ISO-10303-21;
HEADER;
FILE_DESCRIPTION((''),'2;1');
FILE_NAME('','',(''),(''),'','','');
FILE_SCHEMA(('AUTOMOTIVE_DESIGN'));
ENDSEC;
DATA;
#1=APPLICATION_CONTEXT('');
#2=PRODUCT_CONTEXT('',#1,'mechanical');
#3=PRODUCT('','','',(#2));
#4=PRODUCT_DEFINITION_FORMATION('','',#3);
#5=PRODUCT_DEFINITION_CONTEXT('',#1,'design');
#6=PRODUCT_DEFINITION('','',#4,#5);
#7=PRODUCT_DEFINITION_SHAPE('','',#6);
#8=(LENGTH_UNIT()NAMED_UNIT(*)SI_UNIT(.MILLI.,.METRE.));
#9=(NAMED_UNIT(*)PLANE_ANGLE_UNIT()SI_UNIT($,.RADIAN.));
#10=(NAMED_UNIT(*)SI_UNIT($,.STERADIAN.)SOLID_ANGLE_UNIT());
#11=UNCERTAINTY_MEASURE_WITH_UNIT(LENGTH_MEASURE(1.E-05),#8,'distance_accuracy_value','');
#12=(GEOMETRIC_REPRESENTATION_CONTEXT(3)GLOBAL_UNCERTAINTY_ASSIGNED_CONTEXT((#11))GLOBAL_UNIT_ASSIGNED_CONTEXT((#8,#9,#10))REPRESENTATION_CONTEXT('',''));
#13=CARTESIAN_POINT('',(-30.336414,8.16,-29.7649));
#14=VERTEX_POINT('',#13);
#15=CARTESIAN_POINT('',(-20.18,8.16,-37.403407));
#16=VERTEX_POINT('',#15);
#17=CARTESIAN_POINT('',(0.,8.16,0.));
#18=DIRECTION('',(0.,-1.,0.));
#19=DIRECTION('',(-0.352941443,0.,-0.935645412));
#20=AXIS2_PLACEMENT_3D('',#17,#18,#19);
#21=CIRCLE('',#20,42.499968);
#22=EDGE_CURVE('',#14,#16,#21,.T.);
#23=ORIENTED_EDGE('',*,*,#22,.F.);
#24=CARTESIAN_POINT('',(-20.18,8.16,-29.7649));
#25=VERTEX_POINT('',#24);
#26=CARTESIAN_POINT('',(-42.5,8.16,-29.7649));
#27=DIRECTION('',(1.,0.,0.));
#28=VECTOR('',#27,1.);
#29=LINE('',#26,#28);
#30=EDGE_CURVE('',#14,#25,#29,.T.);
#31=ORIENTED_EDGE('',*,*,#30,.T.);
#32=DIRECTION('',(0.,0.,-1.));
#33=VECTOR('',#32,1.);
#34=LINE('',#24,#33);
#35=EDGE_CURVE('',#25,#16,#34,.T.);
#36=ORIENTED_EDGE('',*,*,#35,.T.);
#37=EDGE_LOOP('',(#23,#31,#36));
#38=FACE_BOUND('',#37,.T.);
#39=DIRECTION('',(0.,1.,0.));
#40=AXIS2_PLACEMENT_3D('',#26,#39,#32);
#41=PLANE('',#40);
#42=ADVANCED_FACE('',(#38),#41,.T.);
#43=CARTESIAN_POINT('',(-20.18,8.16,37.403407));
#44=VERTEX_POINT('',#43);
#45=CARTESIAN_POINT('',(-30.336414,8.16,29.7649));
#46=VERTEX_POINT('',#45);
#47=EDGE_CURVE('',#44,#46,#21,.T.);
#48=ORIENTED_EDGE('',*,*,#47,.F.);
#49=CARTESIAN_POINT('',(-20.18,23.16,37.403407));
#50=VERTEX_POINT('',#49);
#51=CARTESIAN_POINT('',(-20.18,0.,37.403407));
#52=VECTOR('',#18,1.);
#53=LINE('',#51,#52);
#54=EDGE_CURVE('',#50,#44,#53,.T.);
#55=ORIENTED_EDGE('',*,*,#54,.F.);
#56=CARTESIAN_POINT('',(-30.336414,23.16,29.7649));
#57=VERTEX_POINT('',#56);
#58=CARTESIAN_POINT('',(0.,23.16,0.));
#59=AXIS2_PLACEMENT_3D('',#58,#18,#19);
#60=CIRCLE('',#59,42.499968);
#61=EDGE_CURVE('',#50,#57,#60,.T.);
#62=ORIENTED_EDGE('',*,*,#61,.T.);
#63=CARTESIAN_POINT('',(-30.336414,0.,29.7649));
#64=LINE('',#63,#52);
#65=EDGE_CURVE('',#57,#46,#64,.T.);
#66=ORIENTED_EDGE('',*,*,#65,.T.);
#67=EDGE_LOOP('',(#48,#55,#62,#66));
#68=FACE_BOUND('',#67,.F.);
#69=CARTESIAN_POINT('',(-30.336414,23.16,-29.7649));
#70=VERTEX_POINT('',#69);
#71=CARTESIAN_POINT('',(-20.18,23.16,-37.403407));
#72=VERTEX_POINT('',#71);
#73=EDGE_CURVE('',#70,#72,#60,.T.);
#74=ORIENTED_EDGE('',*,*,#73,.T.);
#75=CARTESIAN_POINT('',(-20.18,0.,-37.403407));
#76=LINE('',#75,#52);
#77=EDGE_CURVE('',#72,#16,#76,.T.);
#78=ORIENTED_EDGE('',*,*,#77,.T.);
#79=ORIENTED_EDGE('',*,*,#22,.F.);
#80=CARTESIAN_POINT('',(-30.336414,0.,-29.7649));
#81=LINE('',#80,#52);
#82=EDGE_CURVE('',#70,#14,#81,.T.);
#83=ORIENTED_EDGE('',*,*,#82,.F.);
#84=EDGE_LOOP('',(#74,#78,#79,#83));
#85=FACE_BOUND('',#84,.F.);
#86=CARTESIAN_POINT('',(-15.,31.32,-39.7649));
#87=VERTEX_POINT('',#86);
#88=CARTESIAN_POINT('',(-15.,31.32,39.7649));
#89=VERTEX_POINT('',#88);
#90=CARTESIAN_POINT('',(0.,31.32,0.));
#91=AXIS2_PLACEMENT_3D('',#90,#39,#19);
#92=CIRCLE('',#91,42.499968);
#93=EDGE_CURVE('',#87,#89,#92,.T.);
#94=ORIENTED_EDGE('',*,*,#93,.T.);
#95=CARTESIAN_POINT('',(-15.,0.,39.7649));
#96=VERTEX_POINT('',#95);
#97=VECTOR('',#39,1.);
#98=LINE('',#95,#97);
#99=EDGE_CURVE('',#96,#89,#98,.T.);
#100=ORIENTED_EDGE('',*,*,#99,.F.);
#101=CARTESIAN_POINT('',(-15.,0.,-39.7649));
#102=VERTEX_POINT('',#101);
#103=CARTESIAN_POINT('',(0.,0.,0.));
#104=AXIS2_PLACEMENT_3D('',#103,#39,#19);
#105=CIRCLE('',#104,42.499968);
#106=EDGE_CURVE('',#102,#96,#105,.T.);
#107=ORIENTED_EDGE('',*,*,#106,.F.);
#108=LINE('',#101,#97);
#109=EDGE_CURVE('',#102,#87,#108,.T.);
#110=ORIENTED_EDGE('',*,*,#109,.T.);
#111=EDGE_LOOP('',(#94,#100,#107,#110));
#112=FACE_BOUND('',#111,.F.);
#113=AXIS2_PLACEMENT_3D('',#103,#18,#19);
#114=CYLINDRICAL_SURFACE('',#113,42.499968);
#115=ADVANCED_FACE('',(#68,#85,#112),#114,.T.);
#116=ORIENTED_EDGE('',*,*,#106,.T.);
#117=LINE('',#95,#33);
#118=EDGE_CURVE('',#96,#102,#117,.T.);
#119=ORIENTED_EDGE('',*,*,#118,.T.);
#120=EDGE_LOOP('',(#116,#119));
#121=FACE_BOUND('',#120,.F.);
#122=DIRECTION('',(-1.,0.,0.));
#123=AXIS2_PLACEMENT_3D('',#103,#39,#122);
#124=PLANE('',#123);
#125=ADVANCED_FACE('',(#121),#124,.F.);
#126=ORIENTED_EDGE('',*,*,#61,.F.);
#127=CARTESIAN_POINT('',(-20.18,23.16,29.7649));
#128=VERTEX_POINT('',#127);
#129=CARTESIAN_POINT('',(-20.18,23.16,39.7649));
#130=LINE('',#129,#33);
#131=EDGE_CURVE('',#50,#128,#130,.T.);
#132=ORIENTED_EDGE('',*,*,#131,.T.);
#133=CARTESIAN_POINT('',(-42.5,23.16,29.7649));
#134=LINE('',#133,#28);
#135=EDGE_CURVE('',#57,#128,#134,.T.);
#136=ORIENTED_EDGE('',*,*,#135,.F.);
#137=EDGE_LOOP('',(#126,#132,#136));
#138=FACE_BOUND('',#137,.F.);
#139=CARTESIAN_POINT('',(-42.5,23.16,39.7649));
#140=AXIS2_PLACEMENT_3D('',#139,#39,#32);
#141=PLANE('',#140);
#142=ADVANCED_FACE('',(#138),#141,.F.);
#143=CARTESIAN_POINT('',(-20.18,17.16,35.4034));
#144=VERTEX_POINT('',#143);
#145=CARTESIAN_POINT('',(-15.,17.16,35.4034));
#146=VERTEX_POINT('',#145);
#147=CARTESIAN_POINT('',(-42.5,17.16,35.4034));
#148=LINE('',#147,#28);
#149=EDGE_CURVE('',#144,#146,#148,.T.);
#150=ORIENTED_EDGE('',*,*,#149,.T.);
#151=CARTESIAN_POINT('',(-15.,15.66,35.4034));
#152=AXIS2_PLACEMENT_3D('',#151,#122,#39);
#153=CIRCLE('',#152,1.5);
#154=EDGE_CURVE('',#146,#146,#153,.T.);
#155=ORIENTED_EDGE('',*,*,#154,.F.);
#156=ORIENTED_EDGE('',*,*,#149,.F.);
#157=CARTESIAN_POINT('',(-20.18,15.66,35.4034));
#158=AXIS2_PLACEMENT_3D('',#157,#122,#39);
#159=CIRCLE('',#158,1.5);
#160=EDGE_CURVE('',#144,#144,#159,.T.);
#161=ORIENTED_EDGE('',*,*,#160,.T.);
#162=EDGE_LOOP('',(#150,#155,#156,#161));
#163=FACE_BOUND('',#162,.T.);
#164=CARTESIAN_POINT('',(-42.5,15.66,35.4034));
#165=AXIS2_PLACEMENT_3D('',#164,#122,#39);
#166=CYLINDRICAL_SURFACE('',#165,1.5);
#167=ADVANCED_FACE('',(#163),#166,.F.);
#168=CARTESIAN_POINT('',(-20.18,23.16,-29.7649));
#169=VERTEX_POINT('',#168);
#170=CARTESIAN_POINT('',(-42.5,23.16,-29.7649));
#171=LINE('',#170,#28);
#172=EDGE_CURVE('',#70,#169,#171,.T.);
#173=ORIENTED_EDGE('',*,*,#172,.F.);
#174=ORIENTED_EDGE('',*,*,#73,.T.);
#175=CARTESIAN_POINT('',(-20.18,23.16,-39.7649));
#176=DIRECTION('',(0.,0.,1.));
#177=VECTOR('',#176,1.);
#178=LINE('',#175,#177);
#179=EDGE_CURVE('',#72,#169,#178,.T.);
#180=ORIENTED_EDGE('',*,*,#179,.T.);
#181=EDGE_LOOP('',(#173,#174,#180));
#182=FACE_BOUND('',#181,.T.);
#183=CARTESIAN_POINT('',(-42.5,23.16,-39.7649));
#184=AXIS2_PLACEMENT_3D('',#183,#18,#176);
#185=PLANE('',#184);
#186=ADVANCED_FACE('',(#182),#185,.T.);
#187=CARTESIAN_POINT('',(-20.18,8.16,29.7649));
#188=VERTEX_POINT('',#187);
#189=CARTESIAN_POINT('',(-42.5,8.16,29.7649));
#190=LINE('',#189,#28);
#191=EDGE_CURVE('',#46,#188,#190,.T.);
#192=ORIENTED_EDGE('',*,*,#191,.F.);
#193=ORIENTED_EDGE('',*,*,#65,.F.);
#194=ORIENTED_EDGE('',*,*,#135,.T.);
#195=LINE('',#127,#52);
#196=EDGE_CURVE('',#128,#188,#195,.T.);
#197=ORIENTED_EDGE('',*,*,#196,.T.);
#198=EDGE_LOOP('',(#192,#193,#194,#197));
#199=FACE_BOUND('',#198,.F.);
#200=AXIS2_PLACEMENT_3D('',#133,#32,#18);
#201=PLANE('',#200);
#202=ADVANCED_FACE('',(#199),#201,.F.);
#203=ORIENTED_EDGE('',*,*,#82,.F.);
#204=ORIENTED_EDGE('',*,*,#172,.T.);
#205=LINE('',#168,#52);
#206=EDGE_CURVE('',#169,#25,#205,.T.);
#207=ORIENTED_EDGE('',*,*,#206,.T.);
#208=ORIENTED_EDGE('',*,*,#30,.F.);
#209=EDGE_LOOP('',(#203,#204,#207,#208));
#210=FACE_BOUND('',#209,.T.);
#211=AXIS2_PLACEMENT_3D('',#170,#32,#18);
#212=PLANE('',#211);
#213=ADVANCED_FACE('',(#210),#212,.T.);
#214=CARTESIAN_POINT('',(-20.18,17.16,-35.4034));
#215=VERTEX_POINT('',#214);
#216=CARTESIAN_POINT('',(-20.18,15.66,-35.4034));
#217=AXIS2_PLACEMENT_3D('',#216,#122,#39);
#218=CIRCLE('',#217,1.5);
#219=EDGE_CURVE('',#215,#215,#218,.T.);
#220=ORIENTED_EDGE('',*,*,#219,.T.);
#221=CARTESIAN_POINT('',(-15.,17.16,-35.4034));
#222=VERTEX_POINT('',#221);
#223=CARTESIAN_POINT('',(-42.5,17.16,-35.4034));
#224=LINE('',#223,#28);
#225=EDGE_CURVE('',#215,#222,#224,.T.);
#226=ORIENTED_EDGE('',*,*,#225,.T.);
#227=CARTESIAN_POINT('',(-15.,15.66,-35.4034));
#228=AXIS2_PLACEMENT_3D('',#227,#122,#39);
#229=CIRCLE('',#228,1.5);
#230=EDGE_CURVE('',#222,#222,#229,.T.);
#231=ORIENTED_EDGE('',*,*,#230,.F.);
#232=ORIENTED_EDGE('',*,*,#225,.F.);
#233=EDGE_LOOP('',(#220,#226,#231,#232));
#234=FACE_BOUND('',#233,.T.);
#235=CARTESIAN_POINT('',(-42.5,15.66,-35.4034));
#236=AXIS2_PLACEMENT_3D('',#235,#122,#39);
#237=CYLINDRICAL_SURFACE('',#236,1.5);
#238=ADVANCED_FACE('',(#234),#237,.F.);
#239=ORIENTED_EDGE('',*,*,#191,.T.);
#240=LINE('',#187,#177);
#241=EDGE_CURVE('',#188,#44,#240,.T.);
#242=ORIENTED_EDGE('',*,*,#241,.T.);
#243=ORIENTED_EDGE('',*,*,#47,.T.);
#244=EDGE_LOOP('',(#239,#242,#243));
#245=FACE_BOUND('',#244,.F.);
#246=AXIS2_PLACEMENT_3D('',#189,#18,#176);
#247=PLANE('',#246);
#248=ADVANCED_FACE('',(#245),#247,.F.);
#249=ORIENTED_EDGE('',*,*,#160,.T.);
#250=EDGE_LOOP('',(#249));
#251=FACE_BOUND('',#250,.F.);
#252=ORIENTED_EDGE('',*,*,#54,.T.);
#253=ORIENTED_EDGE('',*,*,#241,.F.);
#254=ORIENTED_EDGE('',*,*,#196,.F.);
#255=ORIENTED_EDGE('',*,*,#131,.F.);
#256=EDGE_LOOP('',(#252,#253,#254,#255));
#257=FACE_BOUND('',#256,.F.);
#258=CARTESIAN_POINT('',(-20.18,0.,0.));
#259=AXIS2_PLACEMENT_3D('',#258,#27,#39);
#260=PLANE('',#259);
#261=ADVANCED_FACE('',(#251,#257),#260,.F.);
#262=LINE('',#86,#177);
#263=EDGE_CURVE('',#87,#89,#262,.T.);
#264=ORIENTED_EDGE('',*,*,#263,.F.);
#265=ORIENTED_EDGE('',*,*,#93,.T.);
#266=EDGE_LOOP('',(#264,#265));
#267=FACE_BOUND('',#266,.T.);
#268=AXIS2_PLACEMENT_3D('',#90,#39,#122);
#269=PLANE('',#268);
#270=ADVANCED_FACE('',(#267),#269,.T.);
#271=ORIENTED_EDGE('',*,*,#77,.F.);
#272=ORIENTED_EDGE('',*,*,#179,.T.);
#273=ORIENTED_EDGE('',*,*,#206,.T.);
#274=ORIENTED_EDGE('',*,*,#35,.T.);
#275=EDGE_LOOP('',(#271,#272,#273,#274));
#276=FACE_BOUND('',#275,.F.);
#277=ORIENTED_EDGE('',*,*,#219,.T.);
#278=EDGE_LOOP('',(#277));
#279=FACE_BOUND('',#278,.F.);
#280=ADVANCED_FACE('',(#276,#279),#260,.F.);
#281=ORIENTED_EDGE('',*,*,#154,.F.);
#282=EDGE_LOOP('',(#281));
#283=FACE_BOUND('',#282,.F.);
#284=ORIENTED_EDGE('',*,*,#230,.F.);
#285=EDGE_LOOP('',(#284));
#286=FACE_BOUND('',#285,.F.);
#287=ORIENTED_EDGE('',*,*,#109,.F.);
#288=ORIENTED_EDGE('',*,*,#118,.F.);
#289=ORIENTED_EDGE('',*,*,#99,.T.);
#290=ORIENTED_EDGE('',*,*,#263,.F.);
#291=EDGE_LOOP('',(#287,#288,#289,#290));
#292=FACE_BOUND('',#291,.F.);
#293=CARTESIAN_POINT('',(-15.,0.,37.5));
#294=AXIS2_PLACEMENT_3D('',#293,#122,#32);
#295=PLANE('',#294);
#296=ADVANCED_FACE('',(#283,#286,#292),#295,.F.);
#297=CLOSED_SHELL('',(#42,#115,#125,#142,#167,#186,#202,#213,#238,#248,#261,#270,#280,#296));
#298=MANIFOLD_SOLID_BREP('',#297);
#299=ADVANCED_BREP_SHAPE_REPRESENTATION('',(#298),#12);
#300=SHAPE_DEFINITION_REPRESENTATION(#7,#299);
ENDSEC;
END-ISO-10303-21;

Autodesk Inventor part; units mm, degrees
ref_plane "YZ Plane" through (0, 0, 0) normal (1, 0, 0) x (0, 1, 0)
ref_plane "XZ Plane" through (0, 0, 0) normal (0, 1, 0) x (-1, 0, 0)
sketch "Эскиз1" plane through (0, 0, 0) normal (0, 1, 0) x (-1, 0, 0)
  circle A0 centre (0, 0) radius 3.9
  line L0 (-35, -37.5) -> (-35, 37.5)
  line L1 (-35, -37.5) -> (15, -37.5)
  line L2 (15, -37.5) -> (15, -39.7649)
  arc A1 (15, -39.7649) -> (15, 39.7649) centre (0, 0) ccw
  line L3 (15, 39.7649) -> (15, 37.5)
  line L4 (-35, 37.5) -> (15, 37.5)
  line L5 (15, 39.7649) -> (15, -39.7649)
  point P0 (-39, 0)
extrude "Выдавливание1" add sketch "Эскиз1" along normal blind 31.32 contours L5 L3 A1 L2
ref_plane "РабПлоскость1" through (-42.5, 0, 0) normal (1, 0, 0) x (0, 1, 0)
sketch "Эскиз2" plane through (-42.5, 0, 0) normal (1, 0, 0) x (0, 1, 0)
  line L0 (31.32, -39.7649) -> (31.32, 39.7649) projected
  line L1 (31.32, -39.7649) -> (15.66, -39.7649)
  line L2 (0, -39.7649) -> (31.32, -39.7649) projected
  line L3 (15.66, -39.7649) -> (15.66, -34.7649)
  line L4 (8.16, -39.7649) -> (23.16, -39.7649)
  line L5 (23.16, -39.7649) -> (23.16, -29.7649)
  line L6 (23.16, -29.7649) -> (8.16, -29.7649)
  line L7 (8.16, -29.7649) -> (8.16, -39.7649)
  line L8 (8.16, -39.7649) -> (23.16, -29.7649) construction
  line L9 (23.16, -39.7649) -> (8.16, -29.7649) construction
  line L10 (31.32, 0) -> (24.2001, 0)
  line L11 (31.32, 39.7649) -> (15.66, 39.7649)
  line L12 (0, 39.7649) -> (31.32, 39.7649)
  line L13 (15.66, 39.7649) -> (15.66, 34.7649)
  line L14 (8.16, 39.7649) -> (23.16, 39.7649)
  line L15 (23.16, 39.7649) -> (23.16, 29.7649)
  line L16 (23.16, 29.7649) -> (8.16, 29.7649)
  line L17 (8.16, 29.7649) -> (8.16, 39.7649)
  line L18 (8.16, 39.7649) -> (23.16, 29.7649) construction
  line L19 (23.16, 39.7649) -> (8.16, 29.7649) construction
  point P0 (0, 0)
  dimension "d2" = 15.66
  dimension "d3" = 5
  dimension "d4" = 15
  dimension "d5" = 10
extrude "Выдавливание2" cut sketch "Эскиз2" along normal blind 22.32
sketch "Эскиз3" plane through (-42.5, 0, 0) normal (1, 0, 0) x (0, 1, 0)
  line L0 (8.16, -37.4034) -> (23.16, -37.4034) projected
  line L1 (15.66, -37.4034) -> (15.66, -35.4034)
  circle A0 centre (15.66, -35.4034) radius 1.5
  line L2 (23.16, 37.4034) -> (8.16, 37.4034) projected
  line L3 (15.66, 37.4034) -> (15.66, 35.4034)
  circle A1 centre (15.66, 35.4034) radius 1.5
  point P0 (0, 0)
  dimension "d8" = 2
  dimension "d9" = 3
  dimension "d10" = 2
  dimension "d11" = 3
extrude "Выдавливание3" cut sketch "Эскиз3" along normal through all
properties part number "joint3_cap"
